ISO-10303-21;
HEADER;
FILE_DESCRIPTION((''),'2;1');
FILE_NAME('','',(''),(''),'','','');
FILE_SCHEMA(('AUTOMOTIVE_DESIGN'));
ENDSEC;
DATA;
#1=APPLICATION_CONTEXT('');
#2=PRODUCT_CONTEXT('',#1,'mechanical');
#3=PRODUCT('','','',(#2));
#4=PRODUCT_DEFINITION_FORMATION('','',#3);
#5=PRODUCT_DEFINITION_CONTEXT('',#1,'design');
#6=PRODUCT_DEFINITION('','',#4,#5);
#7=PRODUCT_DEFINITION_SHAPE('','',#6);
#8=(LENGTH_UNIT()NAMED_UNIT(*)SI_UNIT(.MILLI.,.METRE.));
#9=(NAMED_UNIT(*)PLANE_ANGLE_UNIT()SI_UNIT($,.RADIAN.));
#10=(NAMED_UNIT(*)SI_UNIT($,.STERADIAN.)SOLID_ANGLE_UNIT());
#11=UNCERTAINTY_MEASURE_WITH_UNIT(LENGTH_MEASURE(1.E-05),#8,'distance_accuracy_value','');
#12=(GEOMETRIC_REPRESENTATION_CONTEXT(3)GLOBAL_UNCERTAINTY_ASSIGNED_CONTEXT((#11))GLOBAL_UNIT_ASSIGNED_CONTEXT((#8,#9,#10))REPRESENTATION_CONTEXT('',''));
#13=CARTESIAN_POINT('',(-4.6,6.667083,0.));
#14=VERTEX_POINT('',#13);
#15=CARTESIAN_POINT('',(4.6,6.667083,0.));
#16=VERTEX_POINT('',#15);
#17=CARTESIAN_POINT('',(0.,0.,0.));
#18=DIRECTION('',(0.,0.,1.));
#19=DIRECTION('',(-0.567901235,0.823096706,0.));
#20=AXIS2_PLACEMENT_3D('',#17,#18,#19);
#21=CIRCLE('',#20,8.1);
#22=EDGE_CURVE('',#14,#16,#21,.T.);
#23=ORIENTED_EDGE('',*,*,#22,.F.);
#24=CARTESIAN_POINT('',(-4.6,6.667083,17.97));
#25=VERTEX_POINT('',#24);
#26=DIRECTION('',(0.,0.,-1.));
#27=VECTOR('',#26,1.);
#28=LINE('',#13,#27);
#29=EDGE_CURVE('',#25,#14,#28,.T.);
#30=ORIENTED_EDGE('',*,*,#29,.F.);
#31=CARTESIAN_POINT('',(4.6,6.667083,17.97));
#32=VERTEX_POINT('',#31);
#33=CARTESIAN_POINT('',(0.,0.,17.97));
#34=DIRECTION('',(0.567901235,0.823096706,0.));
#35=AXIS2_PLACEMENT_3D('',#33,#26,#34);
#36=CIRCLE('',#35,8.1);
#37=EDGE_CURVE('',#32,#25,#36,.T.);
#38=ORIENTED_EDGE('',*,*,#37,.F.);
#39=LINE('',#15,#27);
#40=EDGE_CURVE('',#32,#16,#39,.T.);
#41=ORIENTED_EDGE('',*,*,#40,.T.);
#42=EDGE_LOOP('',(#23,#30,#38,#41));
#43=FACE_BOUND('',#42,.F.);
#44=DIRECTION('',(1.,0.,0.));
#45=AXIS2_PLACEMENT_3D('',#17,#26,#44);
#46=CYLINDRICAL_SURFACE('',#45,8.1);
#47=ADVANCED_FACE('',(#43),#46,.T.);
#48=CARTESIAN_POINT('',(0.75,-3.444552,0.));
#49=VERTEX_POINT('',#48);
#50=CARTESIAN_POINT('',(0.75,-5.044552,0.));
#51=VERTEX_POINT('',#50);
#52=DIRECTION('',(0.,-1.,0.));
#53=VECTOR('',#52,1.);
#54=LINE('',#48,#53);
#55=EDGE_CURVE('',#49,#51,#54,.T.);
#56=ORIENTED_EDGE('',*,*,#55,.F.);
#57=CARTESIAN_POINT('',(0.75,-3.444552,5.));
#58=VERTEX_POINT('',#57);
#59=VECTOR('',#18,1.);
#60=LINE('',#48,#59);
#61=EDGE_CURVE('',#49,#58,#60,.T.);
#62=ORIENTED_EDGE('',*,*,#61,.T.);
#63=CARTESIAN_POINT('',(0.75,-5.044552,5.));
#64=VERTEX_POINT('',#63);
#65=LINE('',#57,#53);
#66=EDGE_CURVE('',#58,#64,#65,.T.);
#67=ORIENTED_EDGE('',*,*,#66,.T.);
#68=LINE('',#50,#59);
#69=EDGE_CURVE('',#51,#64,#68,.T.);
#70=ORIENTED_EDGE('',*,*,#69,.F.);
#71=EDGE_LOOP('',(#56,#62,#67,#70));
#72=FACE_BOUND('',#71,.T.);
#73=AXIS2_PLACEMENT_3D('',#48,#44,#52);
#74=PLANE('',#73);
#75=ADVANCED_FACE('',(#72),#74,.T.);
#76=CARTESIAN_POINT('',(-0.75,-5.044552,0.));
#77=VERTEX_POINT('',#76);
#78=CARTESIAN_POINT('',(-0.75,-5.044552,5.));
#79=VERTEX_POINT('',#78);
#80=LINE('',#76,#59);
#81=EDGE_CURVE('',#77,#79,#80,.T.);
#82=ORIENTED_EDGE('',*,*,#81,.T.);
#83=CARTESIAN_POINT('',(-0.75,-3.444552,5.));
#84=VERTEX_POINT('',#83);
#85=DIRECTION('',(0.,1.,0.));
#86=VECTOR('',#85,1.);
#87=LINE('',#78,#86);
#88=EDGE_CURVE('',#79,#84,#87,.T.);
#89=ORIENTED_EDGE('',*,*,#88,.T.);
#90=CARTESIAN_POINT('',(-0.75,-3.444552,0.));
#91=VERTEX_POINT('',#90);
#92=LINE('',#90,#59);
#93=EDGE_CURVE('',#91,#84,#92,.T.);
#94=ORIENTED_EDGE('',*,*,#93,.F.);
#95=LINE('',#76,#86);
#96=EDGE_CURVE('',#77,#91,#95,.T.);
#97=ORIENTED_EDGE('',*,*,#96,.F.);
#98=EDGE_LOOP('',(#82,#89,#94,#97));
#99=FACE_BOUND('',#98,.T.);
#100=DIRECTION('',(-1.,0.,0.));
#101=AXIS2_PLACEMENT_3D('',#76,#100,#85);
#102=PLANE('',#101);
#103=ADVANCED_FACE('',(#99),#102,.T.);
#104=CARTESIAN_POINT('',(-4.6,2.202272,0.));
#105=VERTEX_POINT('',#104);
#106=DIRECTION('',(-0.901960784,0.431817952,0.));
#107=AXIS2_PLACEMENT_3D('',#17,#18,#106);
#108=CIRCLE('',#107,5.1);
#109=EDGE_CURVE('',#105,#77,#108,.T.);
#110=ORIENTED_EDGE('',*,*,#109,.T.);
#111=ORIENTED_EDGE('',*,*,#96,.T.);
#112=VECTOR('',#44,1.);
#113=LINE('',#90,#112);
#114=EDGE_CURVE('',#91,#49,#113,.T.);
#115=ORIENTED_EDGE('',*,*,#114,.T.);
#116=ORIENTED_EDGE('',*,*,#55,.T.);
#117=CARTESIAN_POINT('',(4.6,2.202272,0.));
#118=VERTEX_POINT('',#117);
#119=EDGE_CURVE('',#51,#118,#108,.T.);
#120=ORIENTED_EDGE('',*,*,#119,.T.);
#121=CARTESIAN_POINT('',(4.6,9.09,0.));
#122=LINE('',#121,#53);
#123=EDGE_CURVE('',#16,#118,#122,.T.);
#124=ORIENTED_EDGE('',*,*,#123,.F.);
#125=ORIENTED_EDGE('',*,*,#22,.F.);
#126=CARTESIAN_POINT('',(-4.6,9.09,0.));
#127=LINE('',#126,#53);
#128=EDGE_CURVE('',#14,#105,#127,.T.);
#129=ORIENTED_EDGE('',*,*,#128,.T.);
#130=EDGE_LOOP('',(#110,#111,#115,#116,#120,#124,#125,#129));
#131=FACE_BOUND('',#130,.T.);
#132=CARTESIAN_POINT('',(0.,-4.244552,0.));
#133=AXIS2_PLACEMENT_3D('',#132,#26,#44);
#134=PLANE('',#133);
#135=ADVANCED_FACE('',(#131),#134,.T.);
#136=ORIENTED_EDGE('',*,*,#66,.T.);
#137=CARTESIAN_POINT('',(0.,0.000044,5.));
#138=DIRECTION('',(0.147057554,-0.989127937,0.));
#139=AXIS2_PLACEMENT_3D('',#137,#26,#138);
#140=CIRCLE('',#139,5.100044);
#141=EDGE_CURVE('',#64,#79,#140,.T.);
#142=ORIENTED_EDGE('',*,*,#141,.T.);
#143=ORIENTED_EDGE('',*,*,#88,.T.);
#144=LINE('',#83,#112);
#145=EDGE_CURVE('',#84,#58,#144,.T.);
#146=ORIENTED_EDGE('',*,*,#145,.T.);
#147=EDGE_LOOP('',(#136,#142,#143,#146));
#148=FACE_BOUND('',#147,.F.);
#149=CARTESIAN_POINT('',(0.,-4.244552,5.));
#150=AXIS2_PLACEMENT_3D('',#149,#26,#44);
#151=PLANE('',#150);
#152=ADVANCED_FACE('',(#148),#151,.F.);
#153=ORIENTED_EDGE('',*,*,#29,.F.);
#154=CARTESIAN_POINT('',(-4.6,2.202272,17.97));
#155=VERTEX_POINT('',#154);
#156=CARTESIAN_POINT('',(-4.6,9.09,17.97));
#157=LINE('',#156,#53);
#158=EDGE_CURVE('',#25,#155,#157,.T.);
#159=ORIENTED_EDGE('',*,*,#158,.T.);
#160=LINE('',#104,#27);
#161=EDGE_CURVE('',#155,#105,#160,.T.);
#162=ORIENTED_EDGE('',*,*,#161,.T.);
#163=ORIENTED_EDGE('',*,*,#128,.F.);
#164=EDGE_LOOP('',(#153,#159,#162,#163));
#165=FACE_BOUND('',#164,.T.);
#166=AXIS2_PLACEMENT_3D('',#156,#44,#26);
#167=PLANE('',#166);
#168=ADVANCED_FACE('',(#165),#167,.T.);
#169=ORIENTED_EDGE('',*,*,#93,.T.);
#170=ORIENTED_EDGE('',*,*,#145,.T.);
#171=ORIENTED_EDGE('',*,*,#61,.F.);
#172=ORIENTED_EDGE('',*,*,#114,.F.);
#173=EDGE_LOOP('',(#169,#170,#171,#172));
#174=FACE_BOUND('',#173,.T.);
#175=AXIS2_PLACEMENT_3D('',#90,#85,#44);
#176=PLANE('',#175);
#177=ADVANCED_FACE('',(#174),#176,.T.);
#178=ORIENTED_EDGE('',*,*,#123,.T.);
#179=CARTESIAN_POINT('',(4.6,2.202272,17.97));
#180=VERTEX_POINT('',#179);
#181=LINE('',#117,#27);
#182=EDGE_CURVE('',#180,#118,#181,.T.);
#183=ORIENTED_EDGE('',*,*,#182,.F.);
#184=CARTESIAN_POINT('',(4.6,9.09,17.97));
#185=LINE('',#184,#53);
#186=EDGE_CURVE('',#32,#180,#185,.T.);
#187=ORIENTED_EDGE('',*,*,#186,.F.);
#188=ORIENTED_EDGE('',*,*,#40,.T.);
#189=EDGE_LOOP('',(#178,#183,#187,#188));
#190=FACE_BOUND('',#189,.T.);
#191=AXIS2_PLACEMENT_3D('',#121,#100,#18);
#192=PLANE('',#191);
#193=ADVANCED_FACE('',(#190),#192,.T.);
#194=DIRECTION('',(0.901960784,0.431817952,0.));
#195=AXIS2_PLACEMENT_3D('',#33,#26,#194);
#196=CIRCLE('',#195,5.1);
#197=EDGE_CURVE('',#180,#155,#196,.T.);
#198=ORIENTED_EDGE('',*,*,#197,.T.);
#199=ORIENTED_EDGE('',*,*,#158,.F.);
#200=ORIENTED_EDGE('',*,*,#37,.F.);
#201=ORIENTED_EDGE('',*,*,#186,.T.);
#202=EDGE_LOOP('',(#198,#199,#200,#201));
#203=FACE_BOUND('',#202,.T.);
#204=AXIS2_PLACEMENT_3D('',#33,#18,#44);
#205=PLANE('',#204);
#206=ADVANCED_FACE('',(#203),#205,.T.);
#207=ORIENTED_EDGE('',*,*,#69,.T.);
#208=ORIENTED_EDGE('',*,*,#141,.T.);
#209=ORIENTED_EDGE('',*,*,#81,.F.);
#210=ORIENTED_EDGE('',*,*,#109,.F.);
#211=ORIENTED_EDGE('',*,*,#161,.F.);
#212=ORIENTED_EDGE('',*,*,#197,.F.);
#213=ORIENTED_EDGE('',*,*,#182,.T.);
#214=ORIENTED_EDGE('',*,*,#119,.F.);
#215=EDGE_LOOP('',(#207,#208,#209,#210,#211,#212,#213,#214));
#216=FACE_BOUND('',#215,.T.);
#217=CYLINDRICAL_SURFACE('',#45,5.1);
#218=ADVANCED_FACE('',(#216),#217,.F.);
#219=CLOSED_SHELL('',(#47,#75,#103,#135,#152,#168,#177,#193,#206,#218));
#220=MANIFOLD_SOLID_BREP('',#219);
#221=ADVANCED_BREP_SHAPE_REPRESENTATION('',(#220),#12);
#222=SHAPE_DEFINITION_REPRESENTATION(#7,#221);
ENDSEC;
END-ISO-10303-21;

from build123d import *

# Parameters (mm, degrees)
F0_R          = 8.1
F0_R_2        = 5.1
F1_DEPTH      = 17.97
F4_DEPTH      = 7.6
F4_DEPTH_BACK = 0.4
F6_DEPTH      = 5


with BuildPart() as f1:
    # F0 (on Top) → F1 (new body)
    with BuildSketch(Plane.XY):
        Circle(F0_R)
        Circle(F0_R_2, mode=Mode.SUBTRACT)
    extrude(amount=F1_DEPTH)

    # F3 (on offset) → F4 (cut, two sides)
    with BuildSketch(Plane.XZ.offset(-9.09)) as f4_sk:
        Polygon((4.6, 0), (4.6, 17.97), (0, 17.97), (-4.6, 17.97), (-4.6, 0), (0, 0), align=None)
    extrude(amount=F4_DEPTH, mode=Mode.SUBTRACT)
    extrude(f4_sk.sketch, amount=-F4_DEPTH_BACK, mode=Mode.SUBTRACT)

    # F5 (on face) → F6 (join)
    with BuildSketch(Plane(origin=(0, 0, 0), x_dir=(1, 0, 0), z_dir=(0, 0, -1))):
        Polygon((0, 5.044552), (-0.75, 5.044552), (-0.75, 3.444552), (0, 3.444552), (0.75, 3.444552), (0.75, 5.044552), align=None)
        with BuildLine():
            ThreePointArc((0.75, 5.044552), (0, 5.1), (-0.75, 5.044552))
            Line((-0.75, 5.044552), (0, 5.044552))
            Line((0, 5.044552), (0.75, 5.044552))
        make_face()
    extrude(amount=-F6_DEPTH)


solid = f1.part
